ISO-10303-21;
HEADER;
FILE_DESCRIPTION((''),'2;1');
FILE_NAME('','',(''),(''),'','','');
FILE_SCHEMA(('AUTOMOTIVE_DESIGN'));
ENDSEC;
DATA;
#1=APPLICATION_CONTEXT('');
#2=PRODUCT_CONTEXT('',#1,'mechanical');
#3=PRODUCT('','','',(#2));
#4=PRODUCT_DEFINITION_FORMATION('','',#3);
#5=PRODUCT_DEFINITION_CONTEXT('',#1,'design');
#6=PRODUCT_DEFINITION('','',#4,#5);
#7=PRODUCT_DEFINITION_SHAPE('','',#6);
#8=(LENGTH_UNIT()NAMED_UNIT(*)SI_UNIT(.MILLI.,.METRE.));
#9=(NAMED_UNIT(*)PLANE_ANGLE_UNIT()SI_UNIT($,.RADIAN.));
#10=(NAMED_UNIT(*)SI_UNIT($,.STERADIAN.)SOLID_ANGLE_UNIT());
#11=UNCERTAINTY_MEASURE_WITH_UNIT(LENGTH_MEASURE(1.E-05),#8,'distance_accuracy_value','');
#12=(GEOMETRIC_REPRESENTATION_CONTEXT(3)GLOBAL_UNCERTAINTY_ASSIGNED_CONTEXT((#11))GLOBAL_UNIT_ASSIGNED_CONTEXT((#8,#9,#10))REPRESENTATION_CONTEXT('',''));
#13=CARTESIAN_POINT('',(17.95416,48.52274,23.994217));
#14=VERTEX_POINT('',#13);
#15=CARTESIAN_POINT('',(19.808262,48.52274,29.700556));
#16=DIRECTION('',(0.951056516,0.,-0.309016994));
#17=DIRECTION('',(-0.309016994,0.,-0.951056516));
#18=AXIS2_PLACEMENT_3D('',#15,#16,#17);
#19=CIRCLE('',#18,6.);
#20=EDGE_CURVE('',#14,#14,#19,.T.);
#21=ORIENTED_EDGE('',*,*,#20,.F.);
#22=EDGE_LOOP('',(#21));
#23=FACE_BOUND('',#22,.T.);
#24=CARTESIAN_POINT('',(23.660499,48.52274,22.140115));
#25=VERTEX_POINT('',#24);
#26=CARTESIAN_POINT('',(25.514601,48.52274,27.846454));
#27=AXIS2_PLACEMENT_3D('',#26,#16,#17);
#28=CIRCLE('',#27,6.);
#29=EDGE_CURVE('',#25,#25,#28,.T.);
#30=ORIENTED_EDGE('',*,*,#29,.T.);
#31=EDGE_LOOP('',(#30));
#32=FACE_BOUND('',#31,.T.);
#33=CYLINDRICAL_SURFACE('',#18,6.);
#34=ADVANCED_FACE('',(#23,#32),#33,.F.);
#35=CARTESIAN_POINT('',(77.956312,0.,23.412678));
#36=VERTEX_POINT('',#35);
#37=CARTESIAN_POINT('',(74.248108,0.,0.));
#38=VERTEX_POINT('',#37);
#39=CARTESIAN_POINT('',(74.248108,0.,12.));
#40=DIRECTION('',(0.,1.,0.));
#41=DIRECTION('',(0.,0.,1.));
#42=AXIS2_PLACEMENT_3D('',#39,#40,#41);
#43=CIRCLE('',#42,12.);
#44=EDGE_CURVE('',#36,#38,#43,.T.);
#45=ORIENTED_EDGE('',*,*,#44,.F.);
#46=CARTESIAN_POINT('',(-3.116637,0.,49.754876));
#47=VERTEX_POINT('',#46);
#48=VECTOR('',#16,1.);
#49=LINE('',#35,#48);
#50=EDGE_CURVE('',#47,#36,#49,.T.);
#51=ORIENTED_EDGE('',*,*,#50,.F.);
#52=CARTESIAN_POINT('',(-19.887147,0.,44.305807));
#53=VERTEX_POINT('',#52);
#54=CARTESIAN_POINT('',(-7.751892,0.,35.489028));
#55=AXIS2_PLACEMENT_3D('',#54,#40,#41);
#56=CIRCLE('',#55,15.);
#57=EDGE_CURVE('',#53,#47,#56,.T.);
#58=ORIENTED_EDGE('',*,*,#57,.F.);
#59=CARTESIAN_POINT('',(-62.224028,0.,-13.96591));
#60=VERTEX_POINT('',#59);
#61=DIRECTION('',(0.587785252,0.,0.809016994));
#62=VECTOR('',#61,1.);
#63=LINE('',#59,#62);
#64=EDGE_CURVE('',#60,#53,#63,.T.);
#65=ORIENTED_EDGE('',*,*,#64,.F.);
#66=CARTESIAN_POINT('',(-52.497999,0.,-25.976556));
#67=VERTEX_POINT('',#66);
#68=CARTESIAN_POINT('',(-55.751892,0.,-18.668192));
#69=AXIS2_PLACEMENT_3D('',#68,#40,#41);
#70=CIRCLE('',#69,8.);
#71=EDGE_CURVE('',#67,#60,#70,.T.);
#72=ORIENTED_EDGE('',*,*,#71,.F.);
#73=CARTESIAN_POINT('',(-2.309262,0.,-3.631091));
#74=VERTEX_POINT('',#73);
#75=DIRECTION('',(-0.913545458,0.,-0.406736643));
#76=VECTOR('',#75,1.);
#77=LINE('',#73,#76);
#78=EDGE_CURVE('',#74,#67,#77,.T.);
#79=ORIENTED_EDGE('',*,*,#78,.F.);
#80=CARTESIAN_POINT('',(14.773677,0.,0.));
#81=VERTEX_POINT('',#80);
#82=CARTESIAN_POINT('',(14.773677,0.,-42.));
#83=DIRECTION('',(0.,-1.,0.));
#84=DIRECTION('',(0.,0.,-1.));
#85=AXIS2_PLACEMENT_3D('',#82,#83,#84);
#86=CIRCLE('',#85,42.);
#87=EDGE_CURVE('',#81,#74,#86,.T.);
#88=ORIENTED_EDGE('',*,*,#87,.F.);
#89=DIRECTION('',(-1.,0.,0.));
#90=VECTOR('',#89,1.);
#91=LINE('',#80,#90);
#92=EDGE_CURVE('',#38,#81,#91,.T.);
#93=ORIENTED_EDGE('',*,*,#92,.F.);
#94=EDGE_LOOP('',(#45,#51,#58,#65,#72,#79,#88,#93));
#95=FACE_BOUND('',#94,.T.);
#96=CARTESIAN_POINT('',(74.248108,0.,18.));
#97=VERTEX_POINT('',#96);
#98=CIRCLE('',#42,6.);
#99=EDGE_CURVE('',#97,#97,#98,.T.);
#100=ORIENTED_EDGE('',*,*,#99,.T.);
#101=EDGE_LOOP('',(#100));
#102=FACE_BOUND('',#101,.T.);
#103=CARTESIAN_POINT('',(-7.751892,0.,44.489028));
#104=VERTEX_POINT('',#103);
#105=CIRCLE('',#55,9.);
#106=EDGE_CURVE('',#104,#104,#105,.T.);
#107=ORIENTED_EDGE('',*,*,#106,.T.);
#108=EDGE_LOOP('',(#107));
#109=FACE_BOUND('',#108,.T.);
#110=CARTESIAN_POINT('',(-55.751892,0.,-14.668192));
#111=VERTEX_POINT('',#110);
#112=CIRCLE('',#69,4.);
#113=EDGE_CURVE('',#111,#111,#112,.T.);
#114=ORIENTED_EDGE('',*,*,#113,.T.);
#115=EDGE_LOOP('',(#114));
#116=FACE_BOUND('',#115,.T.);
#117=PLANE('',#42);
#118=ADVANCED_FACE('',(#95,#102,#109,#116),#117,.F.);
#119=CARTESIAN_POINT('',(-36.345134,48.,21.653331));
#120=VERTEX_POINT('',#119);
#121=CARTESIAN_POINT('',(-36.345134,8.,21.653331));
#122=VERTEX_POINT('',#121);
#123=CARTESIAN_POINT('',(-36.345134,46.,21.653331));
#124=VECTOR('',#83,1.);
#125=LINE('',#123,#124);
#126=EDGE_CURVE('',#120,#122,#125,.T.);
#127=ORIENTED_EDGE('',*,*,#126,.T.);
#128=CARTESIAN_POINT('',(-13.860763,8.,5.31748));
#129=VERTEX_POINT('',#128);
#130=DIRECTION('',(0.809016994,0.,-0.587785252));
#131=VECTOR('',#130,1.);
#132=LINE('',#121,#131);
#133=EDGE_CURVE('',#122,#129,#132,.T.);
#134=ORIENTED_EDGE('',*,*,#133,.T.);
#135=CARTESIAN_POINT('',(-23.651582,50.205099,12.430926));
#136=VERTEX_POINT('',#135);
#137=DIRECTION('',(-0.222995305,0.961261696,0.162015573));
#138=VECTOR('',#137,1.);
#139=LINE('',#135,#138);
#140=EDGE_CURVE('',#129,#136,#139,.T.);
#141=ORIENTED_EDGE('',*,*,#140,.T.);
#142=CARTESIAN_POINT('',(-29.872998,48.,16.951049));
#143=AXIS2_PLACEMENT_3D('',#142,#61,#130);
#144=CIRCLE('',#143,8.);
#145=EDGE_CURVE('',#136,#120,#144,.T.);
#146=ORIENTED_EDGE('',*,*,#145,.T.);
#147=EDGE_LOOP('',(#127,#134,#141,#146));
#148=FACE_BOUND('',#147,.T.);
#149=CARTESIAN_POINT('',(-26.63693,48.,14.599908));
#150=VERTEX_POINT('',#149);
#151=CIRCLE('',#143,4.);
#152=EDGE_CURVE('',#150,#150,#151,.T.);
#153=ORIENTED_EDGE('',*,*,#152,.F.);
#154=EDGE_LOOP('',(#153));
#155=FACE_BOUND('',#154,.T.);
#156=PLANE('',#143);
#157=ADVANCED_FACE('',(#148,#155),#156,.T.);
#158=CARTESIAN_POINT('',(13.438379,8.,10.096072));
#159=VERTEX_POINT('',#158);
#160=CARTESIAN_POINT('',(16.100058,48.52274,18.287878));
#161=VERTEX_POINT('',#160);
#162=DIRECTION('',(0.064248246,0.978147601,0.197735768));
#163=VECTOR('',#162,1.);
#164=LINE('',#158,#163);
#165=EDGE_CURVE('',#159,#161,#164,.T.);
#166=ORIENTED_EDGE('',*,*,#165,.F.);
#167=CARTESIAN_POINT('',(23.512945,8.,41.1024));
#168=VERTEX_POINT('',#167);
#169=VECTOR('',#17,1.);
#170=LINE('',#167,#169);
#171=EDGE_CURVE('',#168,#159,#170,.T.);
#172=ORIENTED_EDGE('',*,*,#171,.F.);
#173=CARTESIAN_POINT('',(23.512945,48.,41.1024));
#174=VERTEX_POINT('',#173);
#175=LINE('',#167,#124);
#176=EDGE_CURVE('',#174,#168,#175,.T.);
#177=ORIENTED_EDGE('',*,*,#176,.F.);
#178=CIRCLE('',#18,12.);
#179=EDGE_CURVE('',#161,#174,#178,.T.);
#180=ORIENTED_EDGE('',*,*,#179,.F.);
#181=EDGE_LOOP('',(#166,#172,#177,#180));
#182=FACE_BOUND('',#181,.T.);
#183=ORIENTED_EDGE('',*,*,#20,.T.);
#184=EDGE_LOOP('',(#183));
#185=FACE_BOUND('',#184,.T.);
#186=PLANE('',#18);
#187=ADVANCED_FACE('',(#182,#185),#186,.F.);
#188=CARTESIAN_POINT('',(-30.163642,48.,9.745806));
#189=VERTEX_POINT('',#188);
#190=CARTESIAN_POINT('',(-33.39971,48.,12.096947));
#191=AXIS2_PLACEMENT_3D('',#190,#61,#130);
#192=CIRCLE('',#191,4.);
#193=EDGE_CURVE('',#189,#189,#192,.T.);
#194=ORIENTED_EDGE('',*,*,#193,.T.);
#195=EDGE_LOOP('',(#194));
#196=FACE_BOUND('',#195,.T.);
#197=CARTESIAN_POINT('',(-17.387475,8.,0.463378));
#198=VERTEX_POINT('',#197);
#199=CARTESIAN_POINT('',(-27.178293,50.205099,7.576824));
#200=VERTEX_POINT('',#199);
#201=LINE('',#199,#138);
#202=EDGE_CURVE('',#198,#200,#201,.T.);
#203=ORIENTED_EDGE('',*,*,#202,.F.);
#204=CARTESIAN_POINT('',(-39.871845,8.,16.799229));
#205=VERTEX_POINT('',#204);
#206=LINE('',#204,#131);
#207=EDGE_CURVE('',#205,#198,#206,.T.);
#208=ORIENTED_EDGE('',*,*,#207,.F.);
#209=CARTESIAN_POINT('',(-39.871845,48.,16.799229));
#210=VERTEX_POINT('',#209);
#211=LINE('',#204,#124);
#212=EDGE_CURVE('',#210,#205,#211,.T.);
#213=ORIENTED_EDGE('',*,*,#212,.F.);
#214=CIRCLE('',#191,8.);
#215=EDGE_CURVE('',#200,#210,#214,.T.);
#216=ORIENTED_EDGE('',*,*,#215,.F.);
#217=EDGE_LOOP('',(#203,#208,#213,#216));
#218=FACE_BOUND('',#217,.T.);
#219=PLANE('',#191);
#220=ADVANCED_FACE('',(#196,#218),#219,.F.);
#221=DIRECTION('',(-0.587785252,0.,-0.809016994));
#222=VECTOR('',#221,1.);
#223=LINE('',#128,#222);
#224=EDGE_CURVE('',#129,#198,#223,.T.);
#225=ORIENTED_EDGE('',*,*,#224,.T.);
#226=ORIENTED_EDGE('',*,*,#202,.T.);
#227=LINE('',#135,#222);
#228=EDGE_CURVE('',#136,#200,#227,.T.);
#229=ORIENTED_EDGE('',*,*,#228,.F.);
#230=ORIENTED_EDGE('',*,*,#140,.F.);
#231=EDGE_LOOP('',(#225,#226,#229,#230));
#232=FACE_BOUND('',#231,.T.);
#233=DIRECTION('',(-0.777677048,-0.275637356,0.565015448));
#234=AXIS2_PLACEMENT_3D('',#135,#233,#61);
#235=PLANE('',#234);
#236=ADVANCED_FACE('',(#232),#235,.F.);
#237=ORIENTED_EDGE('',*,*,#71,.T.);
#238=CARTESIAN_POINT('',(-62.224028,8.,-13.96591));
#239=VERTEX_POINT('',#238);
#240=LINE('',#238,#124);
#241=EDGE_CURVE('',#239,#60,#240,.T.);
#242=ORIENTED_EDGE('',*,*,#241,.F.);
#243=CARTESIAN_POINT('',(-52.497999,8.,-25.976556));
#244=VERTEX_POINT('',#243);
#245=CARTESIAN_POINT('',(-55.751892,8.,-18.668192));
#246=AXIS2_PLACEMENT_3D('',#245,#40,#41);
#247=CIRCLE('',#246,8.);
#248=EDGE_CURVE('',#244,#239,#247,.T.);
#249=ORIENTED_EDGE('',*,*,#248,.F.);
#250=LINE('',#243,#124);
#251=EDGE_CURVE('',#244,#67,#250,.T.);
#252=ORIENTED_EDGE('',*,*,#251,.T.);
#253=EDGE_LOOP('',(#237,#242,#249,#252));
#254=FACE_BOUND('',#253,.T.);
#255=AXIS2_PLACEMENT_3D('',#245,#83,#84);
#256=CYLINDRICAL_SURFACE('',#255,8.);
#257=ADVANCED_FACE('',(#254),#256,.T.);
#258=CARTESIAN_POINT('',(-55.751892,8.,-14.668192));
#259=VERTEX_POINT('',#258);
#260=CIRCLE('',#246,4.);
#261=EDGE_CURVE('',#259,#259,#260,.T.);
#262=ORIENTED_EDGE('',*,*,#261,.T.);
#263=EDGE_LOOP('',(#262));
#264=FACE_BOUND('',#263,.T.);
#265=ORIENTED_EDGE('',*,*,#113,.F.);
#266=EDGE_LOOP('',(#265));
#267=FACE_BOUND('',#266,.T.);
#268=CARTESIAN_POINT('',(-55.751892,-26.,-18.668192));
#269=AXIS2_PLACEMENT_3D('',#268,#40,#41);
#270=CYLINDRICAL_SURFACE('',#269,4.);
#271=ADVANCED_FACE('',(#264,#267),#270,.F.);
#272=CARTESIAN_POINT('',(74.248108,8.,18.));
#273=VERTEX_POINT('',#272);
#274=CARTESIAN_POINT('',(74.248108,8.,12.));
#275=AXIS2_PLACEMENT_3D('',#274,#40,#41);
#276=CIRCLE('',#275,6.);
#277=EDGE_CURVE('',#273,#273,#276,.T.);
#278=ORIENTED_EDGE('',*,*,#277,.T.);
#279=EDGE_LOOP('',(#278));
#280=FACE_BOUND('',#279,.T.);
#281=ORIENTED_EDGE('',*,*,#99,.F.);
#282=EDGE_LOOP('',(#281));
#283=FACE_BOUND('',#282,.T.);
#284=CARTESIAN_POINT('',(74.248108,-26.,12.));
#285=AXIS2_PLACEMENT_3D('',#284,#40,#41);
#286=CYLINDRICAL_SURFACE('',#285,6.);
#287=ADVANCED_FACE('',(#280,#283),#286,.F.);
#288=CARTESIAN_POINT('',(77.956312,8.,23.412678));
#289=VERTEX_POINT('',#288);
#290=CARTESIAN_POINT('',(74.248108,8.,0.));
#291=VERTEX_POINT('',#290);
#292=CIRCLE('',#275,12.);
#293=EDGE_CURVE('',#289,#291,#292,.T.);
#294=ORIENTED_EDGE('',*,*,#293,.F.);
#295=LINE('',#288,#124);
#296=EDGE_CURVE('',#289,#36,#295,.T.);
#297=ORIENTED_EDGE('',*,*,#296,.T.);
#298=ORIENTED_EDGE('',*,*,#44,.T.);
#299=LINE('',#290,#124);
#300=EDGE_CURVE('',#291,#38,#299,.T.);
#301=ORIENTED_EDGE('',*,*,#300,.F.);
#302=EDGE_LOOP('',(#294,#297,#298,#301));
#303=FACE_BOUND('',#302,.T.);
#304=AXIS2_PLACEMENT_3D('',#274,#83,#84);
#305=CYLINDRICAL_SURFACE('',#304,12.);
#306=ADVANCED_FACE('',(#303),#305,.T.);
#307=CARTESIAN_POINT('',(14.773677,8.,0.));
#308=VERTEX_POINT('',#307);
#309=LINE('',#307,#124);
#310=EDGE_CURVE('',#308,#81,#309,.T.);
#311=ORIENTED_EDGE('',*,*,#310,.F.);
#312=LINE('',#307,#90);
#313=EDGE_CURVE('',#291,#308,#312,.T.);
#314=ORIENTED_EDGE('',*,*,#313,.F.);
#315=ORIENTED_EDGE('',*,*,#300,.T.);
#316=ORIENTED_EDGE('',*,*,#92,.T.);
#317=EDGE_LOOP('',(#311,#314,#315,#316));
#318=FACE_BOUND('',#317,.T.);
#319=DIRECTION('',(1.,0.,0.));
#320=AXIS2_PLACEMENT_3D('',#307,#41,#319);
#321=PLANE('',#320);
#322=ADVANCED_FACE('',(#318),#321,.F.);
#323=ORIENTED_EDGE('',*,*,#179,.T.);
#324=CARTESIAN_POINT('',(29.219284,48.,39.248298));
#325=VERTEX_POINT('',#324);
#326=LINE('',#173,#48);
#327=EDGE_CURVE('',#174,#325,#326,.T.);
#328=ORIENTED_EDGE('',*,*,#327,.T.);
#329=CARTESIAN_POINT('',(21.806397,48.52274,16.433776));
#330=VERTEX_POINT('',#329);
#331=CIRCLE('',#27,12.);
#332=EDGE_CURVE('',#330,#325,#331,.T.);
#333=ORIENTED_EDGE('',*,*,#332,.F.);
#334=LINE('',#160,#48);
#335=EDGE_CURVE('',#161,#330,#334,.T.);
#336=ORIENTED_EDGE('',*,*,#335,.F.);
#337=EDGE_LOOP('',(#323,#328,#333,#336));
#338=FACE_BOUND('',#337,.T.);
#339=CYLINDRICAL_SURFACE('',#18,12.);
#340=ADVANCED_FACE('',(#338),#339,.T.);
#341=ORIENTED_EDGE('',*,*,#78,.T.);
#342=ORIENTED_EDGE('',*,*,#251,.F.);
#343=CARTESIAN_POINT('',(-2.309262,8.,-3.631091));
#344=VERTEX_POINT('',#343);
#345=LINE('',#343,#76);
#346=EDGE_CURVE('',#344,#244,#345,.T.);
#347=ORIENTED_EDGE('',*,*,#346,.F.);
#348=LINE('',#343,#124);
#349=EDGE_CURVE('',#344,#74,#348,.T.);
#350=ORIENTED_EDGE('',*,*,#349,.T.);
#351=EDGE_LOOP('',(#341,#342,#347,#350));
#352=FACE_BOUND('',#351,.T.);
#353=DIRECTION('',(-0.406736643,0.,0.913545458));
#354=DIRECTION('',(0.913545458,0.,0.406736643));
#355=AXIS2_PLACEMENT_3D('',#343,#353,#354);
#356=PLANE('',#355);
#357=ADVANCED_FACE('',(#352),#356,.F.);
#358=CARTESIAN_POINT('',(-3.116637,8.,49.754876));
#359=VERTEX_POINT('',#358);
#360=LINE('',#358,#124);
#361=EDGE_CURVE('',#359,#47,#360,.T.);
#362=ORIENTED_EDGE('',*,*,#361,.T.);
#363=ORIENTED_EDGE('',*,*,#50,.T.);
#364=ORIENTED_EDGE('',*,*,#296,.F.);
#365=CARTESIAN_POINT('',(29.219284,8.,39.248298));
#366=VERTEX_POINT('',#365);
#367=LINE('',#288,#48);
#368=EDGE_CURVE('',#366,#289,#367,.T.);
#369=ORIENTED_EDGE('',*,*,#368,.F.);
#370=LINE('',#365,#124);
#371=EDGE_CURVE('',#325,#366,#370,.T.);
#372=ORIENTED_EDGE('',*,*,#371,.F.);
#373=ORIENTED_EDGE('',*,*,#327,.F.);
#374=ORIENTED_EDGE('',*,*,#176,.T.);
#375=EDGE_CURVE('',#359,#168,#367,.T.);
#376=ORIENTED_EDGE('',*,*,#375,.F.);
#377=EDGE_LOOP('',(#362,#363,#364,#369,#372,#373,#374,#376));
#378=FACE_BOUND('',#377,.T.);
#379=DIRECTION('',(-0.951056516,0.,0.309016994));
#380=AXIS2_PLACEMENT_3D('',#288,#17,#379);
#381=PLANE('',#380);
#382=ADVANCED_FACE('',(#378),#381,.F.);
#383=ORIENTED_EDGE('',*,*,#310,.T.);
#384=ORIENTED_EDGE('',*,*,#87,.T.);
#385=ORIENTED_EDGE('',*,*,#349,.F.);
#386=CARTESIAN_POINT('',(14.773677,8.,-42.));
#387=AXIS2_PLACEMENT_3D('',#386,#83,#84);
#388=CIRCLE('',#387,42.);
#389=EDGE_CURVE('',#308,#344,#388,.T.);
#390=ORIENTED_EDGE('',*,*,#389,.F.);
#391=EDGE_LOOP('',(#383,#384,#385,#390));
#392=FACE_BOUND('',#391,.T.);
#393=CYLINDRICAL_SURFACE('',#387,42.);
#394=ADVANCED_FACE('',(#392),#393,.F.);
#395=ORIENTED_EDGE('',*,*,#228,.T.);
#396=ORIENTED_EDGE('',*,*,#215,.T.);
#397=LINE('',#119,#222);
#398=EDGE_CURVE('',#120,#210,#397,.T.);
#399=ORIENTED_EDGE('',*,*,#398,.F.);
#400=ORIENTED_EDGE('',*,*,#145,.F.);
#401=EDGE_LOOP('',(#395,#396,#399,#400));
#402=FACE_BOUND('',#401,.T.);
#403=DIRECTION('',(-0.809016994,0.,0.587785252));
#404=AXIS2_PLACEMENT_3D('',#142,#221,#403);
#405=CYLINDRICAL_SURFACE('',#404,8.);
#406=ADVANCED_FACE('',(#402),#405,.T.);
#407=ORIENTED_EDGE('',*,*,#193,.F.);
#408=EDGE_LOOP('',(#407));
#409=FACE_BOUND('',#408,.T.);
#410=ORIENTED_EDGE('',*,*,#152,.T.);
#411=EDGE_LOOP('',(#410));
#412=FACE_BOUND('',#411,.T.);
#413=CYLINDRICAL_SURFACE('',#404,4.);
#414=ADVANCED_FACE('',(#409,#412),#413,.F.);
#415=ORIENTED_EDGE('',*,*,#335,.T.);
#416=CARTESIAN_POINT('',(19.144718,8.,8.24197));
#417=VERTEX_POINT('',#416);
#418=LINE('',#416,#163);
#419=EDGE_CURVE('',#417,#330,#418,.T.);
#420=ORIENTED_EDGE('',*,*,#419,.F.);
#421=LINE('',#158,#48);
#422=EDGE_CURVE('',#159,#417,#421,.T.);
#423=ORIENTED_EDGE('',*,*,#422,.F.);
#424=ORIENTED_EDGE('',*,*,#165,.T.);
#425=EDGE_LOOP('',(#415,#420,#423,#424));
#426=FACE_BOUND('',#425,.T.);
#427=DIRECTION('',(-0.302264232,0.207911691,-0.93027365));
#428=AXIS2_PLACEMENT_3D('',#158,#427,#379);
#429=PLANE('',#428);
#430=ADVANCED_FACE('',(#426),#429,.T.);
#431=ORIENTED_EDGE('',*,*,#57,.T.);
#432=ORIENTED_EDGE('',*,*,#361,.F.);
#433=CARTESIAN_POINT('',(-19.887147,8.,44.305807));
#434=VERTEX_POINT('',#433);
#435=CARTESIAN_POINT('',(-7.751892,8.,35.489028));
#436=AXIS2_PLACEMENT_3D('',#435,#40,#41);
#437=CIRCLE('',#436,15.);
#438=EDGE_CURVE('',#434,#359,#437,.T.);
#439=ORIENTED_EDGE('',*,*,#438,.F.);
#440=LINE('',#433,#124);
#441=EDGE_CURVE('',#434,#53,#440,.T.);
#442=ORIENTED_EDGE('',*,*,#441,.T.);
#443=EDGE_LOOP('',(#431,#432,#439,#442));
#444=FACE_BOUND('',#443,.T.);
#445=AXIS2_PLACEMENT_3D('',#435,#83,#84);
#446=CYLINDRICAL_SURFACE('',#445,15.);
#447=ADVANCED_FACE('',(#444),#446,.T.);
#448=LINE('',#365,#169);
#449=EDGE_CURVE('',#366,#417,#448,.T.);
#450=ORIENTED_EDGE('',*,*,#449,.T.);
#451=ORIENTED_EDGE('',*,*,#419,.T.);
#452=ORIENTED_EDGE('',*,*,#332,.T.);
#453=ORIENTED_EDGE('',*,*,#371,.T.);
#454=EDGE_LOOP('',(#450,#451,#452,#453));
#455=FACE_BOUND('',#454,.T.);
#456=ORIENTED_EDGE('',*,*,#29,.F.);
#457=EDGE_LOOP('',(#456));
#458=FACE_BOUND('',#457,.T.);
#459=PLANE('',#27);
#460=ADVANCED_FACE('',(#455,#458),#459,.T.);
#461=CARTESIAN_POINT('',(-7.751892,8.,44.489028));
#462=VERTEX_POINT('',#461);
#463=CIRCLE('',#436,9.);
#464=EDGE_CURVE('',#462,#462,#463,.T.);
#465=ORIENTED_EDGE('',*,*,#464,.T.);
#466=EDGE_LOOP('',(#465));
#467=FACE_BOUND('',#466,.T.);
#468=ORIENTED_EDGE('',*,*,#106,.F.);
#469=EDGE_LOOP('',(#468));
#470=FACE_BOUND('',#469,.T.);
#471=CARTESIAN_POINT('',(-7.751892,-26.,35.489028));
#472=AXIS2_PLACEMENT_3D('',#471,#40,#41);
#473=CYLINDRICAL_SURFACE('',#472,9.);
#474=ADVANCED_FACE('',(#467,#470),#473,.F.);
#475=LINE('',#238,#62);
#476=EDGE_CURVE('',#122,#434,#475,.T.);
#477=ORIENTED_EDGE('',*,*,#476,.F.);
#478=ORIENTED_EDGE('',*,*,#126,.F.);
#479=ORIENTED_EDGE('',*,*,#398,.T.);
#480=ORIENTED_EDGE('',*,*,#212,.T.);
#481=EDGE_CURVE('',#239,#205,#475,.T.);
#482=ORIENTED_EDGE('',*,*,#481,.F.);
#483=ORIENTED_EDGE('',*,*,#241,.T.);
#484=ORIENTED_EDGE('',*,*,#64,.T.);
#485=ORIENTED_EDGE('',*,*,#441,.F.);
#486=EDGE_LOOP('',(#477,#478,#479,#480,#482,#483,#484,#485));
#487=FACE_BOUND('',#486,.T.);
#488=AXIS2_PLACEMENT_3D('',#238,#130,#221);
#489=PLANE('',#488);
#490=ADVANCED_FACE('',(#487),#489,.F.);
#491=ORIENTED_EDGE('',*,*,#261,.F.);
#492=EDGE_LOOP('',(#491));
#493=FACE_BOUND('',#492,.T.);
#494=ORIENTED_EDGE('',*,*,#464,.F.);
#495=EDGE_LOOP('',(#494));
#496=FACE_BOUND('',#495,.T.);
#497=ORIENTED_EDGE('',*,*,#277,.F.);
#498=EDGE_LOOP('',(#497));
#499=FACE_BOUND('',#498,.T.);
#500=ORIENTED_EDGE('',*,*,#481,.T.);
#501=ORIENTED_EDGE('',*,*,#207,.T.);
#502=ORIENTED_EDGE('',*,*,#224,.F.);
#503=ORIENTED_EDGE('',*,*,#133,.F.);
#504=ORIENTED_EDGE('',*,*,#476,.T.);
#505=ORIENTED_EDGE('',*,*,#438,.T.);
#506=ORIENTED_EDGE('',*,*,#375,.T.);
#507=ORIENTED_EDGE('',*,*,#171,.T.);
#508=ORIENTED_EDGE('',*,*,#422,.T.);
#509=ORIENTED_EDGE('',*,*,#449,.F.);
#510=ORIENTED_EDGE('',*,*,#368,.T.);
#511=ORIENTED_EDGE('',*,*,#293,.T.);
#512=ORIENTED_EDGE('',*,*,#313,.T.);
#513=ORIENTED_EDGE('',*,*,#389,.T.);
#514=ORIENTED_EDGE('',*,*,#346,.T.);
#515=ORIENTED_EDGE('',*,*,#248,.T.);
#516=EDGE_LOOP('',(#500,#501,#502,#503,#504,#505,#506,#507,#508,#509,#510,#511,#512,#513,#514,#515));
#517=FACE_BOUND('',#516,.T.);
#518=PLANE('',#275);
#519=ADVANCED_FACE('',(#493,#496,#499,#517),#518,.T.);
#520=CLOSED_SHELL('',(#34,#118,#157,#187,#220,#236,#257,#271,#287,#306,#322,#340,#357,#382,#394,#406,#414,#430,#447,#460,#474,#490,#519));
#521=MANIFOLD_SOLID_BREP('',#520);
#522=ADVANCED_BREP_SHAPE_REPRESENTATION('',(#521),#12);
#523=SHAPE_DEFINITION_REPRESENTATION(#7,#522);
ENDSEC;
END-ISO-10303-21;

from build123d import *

# Parameters (mm, degrees)
BOSS_EXTRUDE1_DEPTH = 8
SKETCH3_R           = 6
SKETCH3_R_2         = 4
SKETCH3_R_3         = 9
CUT_EXTRUDE1_DEPTH  = 34
SKETCH5_R           = 6
BOSS_EXTRUDE2_DEPTH = 6
SKETCH6_R           = 4
BOSS_EXTRUDE3_DEPTH = 6


with BuildPart() as part:
    # Sketch2 → Boss-Extrude1 (new body)
    with BuildSketch(Plane(origin=(0, 0, 0), x_dir=(1, 0, 0), z_dir=(0, 1, 0))):
        with BuildLine():
            Line((14.773677032, 0), (74.248108018, 0))
            ThreePointArc((74.248108018, 0), (86.100368105, -10.12278642), (77.956311951, -23.412678196))
            Line((77.956311951, -23.412678196), (-3.116637066, -49.754876163))
            ThreePointArc((-3.116637066, -49.754876163), (-12.387146898, -49.754876163), (-19.887146898, -44.305807203))
            Line((-19.887146898, -44.305807203), (-62.224027937, 13.965910429))
            ThreePointArc((-62.224027937, 13.965910429), (-61.969059674, 23.702755576), (-52.497998837, 25.976556108))
            Line((-52.497998837, 25.976556108), (-2.309261977, 3.631090779))
            ThreePointArc((-2.309261977, 3.631090779), (6.041386017, 0.917800769), (14.773677032, 0))
        make_face()
    extrude(amount=BOSS_EXTRUDE1_DEPTH)

    # Sketch3 → Cut-Extrude1 (cut)
    with BuildSketch(Plane(origin=(0, 8, 0), x_dir=(1, 0, 0), z_dir=(0, 1, 0))):
        with Locations((74.248108018, -12)):
            Circle(SKETCH3_R)
        with Locations((-55.751891982, 18.668192447)):
            Circle(SKETCH3_R_2)
        with Locations((-7.751891982, -35.489028418)):
            Circle(SKETCH3_R_3)
    extrude(amount=-CUT_EXTRUDE1_DEPTH, mode=Mode.SUBTRACT)

    # Sketch5 → Boss-Extrude2 (add)
    with BuildSketch(Plane(origin=(14.894305626, 0, -4.83945326), x_dir=(-0.309016994, 0, -0.951056516), z_dir=(0.951056516, 0, -0.309016994))):
        with BuildLine():
            Line((-46.356605373, 8), (-46.356605373, 48))
            ThreePointArc((-46.356605373, 48), (-34.62942849, 60.519891788), (-22.367996489, 48.522739904))
            Line((-22.367996489, 48.522739904), (-13.754622225, 8))
            Line((-13.754622225, 8), (-46.356605373, 8))
        make_face()
        with Locations((-34.367996489, 48.522739904)):
            Circle(SKETCH5_R, mode=Mode.SUBTRACT)
    extrude(amount=-BOSS_EXTRUDE2_DEPTH)

    # Sketch6 → Boss-Extrude3 (add)
    with BuildSketch(Plane(origin=(-5.786875521, 0, -7.964950844), x_dir=(0.809016994, 0, -0.587785252), z_dir=(0.587785252, 0, 0.809016994))):
        with BuildLine():
            Line((-42.131339875, 8), (-42.131339875, 46))
            Line((-42.131339875, 46), (-42.131339875, 48))
            ThreePointArc((-42.131339875, 48), (-35.244724682, 55.92214455), (-26.441246307, 50.205098847))
            Line((-26.441246307, 50.205098847), (-14.339128957, 8))
            Line((-14.339128957, 8), (-42.131339875, 8))
        make_face()
        with Locations((-34.131339875, 48)):
            Circle(SKETCH6_R, mode=Mode.SUBTRACT)
    extrude(amount=BOSS_EXTRUDE3_DEPTH)


solid = part.part
